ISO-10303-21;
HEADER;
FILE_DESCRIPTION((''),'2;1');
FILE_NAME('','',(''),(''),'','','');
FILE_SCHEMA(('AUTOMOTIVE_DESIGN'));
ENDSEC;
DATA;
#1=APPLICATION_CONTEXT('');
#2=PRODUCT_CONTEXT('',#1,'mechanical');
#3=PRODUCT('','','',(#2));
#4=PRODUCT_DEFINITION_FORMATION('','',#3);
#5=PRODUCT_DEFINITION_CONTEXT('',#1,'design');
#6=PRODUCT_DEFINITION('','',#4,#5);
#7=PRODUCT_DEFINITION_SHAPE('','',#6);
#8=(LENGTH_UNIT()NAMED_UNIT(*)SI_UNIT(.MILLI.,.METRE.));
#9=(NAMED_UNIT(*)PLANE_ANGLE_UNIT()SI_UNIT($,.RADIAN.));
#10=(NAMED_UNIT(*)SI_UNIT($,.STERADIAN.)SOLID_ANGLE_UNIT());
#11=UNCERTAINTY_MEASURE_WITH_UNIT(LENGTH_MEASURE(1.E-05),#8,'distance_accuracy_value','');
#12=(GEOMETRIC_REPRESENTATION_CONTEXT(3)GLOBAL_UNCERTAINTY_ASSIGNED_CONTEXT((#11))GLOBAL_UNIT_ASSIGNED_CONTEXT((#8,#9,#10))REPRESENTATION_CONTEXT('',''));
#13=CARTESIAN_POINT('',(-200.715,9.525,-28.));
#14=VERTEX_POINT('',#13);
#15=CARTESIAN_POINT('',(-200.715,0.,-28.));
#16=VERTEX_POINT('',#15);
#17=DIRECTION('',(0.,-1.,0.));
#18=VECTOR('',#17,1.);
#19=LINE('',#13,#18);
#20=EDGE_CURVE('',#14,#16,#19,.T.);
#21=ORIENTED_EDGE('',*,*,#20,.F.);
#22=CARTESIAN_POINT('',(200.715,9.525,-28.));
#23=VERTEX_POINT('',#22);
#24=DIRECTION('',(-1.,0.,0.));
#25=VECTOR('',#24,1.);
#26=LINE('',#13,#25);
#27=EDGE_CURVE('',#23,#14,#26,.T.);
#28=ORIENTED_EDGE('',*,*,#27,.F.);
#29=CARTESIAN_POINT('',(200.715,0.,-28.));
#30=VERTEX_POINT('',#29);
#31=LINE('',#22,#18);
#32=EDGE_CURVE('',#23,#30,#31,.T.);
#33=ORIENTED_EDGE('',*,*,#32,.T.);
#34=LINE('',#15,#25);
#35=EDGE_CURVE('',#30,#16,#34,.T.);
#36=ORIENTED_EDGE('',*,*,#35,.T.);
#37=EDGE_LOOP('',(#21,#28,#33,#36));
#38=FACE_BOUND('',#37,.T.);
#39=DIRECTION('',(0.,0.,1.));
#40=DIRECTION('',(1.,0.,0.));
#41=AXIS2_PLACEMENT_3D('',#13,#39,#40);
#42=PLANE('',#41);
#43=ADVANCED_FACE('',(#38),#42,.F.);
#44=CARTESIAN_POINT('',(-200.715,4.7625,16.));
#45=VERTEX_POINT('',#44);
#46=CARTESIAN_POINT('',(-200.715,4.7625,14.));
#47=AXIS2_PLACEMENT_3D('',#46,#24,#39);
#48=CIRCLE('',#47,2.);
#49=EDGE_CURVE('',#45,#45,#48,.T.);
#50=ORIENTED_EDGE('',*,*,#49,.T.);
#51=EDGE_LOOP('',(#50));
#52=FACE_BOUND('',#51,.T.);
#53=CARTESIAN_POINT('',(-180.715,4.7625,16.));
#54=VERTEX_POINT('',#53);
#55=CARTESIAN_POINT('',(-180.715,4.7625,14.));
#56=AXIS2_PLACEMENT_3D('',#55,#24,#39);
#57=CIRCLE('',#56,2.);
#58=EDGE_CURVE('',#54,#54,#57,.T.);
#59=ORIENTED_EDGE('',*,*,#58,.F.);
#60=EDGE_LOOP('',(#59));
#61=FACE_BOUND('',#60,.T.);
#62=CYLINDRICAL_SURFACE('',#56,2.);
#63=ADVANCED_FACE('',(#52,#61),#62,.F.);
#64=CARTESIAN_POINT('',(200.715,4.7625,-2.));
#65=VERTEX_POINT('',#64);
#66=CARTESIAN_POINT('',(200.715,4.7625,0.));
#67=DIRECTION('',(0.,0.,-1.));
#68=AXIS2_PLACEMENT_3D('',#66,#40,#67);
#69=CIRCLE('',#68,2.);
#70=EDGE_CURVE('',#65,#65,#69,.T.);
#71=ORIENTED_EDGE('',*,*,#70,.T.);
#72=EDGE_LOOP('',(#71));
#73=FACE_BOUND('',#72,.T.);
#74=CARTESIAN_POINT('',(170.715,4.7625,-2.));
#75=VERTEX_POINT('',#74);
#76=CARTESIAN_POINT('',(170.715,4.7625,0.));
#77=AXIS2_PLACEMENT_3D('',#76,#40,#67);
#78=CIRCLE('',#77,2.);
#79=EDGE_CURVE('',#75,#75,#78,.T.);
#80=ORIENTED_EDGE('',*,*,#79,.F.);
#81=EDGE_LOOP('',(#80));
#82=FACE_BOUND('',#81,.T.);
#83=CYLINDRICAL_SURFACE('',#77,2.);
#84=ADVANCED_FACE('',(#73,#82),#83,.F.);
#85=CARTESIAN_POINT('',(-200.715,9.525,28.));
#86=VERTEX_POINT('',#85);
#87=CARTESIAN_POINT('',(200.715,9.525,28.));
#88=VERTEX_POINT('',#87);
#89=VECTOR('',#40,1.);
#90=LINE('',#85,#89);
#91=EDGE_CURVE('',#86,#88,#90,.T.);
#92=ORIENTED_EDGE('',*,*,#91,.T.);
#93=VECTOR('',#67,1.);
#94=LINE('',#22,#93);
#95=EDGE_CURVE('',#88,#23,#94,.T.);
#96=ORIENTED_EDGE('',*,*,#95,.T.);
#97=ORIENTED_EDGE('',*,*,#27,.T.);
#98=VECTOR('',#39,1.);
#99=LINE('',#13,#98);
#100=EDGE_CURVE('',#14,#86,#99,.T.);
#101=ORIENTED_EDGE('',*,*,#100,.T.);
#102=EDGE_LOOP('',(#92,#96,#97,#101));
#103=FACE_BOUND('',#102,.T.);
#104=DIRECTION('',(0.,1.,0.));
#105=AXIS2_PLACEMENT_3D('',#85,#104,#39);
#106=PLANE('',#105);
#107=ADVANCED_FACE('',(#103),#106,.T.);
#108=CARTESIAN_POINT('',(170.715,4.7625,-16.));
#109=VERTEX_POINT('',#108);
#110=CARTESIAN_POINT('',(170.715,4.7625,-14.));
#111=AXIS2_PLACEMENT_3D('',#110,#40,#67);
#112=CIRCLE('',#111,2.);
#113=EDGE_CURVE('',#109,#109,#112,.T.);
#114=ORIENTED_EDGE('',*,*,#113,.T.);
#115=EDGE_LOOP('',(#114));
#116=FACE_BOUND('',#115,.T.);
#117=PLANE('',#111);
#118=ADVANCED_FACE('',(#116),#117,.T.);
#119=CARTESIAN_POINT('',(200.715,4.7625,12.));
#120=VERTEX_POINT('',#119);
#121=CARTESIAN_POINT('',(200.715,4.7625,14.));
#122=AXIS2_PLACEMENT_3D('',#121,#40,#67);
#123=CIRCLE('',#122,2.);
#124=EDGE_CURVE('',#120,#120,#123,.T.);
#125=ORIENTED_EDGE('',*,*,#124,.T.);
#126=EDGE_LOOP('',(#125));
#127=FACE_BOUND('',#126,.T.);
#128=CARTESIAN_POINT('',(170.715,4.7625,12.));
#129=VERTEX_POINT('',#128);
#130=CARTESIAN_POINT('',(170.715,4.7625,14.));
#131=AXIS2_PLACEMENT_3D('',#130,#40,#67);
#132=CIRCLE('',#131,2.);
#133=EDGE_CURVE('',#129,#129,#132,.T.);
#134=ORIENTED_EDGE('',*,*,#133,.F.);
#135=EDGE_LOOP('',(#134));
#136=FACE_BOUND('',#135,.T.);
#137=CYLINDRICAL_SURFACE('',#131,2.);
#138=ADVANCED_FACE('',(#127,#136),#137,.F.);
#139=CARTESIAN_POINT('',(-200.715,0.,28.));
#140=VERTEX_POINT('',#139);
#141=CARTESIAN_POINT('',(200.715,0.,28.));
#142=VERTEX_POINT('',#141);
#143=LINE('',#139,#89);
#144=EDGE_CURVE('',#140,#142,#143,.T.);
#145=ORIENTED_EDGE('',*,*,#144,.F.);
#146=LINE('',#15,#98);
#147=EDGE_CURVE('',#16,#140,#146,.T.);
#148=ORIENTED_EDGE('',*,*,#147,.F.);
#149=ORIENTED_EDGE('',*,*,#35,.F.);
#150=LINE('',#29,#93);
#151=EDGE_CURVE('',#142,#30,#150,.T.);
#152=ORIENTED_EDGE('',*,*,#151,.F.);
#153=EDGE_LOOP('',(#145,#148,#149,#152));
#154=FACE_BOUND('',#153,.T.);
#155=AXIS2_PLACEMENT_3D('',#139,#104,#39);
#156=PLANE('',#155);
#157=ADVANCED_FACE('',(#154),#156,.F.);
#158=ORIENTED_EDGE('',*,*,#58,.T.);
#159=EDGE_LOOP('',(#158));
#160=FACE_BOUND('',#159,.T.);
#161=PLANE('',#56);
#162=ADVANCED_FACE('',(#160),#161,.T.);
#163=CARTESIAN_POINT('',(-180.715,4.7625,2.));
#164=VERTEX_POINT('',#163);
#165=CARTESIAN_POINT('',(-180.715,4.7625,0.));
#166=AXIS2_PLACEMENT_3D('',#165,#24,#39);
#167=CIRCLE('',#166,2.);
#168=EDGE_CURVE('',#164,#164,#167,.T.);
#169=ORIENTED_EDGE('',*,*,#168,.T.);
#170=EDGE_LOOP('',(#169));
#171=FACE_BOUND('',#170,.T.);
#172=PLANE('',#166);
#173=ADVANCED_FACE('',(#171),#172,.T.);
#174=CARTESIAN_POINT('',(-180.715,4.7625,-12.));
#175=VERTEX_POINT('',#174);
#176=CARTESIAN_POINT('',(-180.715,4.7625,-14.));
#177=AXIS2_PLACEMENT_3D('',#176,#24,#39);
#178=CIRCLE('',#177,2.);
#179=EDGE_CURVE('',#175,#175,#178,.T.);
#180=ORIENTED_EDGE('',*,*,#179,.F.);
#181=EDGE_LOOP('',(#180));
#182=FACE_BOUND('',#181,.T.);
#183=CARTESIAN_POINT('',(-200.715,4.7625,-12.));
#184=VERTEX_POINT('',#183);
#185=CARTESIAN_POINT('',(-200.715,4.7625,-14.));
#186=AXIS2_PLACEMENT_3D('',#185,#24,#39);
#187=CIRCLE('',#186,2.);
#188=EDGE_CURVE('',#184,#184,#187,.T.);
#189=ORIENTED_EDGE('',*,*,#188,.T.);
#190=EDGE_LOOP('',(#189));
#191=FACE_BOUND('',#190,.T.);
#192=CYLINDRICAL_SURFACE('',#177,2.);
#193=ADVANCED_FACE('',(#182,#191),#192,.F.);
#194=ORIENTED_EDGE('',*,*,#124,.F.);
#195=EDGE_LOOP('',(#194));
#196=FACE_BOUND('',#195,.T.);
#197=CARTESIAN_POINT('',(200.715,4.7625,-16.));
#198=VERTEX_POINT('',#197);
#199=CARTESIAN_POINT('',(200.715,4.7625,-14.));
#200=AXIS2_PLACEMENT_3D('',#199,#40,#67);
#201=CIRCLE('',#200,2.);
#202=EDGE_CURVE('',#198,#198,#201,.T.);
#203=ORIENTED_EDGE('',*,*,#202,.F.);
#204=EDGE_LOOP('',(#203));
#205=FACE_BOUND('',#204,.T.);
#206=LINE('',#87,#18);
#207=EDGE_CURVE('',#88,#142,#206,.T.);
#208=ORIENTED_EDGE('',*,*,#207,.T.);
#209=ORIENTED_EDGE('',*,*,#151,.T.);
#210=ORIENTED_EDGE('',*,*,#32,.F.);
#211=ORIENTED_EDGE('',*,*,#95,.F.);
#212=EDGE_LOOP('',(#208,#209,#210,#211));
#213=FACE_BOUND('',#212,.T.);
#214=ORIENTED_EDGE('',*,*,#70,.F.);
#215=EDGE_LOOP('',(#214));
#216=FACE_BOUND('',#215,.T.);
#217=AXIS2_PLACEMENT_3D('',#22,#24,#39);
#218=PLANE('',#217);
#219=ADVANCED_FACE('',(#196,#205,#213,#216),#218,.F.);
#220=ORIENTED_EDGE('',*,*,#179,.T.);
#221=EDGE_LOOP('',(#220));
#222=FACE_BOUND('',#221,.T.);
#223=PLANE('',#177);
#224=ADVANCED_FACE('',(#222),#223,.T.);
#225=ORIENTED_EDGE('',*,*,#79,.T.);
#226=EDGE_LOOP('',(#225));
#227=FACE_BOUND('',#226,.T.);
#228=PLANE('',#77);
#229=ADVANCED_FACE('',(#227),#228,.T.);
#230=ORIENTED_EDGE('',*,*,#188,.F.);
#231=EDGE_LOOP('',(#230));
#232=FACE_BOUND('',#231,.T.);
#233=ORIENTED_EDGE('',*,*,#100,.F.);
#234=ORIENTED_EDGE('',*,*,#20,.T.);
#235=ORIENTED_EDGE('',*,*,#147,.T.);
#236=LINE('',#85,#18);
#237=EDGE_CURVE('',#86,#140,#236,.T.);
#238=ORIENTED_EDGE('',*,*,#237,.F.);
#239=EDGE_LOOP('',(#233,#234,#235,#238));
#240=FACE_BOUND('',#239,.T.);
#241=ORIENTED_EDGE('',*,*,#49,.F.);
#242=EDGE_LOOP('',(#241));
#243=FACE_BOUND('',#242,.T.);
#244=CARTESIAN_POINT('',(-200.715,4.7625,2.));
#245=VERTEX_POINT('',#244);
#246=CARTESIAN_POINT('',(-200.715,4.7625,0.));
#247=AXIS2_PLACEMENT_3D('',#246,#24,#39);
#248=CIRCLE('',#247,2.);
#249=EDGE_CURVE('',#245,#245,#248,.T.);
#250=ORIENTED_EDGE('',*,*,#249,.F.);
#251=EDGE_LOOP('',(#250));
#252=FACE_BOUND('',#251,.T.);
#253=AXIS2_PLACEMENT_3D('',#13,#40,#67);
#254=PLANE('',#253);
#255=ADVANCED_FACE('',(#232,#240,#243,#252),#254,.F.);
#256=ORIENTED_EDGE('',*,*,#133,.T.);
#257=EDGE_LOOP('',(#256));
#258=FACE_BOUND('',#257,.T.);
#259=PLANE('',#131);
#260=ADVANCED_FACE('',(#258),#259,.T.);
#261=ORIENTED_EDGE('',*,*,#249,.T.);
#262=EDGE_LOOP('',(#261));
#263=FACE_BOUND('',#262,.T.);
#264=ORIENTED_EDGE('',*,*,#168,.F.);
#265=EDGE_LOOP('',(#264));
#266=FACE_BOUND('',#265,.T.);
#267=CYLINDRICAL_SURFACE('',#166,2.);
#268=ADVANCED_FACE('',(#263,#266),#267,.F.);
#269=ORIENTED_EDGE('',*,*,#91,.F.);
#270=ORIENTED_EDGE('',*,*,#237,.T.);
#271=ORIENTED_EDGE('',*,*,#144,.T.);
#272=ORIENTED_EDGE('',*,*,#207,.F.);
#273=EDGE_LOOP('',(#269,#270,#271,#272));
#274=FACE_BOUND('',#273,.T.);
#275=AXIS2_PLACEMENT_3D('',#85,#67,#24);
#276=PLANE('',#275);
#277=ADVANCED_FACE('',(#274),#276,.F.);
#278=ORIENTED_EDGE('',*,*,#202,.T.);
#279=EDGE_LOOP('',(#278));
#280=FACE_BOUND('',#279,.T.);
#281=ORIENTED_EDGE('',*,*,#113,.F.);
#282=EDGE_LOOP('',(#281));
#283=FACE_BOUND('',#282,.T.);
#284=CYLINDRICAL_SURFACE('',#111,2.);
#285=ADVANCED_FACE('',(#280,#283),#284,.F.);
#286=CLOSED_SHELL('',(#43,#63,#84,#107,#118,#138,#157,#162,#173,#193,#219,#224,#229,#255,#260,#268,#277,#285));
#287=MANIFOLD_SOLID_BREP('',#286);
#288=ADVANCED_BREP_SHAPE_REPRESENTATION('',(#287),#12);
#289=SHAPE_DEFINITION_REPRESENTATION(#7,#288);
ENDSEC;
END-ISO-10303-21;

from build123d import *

# Parameters (mm, degrees)
ESBO_O1_W                = 401.43
ESBO_O1_H                = 56
RESSALTO_EXTRUS_O1_DEPTH = 9.525
ESBO_O2_R                = 2
CORTE_EXTRUS_O1_DEPTH    = 30
CORTE_EXTRUS_O2_START    = -20
ESBO_O3_R                = 2
CORTE_EXTRUS_O2_DEPTH    = 20


with BuildPart() as part:
    # Esboço1 → Ressalto-extrusão1 (new body)
    with BuildSketch(Plane(origin=(0, 0, 0), x_dir=(1, 0, 0), z_dir=(0, 1, 0))):
        Rectangle(ESBO_O1_W, ESBO_O1_H)
    extrude(amount=RESSALTO_EXTRUS_O1_DEPTH)

    # Esboço2 → Corte-extrusão1 (cut)
    with BuildSketch(Plane(origin=(200.715, 0, 0), x_dir=(0, 0, -1), z_dir=(1, 0, 0))):
        with Locations((-14, 4.7625)):
            Circle(ESBO_O2_R)
        with Locations((0, 4.7625)):
            Circle(ESBO_O2_R)
        with Locations((14, 4.7625)):
            Circle(ESBO_O2_R)
    extrude(amount=-CORTE_EXTRUS_O1_DEPTH, mode=Mode.SUBTRACT)

    # Esboço3 → Corte-extrusão2 (cut)
    with BuildSketch(Plane.ZY.offset(200.715).offset(CORTE_EXTRUS_O2_START)):
        with Locations(Location((-14, 4.7625, 0), (0, 0, 180))):
            Circle(ESBO_O3_R)
        with Locations(Location((0, 4.7625, 0), (0, 0, 180))):
            Circle(ESBO_O3_R)
        with Locations(Location((14, 4.7625, 0), (0, 0, 180))):
            Circle(ESBO_O3_R)
    extrude(amount=CORTE_EXTRUS_O2_DEPTH, mode=Mode.SUBTRACT)


solid = part.part
